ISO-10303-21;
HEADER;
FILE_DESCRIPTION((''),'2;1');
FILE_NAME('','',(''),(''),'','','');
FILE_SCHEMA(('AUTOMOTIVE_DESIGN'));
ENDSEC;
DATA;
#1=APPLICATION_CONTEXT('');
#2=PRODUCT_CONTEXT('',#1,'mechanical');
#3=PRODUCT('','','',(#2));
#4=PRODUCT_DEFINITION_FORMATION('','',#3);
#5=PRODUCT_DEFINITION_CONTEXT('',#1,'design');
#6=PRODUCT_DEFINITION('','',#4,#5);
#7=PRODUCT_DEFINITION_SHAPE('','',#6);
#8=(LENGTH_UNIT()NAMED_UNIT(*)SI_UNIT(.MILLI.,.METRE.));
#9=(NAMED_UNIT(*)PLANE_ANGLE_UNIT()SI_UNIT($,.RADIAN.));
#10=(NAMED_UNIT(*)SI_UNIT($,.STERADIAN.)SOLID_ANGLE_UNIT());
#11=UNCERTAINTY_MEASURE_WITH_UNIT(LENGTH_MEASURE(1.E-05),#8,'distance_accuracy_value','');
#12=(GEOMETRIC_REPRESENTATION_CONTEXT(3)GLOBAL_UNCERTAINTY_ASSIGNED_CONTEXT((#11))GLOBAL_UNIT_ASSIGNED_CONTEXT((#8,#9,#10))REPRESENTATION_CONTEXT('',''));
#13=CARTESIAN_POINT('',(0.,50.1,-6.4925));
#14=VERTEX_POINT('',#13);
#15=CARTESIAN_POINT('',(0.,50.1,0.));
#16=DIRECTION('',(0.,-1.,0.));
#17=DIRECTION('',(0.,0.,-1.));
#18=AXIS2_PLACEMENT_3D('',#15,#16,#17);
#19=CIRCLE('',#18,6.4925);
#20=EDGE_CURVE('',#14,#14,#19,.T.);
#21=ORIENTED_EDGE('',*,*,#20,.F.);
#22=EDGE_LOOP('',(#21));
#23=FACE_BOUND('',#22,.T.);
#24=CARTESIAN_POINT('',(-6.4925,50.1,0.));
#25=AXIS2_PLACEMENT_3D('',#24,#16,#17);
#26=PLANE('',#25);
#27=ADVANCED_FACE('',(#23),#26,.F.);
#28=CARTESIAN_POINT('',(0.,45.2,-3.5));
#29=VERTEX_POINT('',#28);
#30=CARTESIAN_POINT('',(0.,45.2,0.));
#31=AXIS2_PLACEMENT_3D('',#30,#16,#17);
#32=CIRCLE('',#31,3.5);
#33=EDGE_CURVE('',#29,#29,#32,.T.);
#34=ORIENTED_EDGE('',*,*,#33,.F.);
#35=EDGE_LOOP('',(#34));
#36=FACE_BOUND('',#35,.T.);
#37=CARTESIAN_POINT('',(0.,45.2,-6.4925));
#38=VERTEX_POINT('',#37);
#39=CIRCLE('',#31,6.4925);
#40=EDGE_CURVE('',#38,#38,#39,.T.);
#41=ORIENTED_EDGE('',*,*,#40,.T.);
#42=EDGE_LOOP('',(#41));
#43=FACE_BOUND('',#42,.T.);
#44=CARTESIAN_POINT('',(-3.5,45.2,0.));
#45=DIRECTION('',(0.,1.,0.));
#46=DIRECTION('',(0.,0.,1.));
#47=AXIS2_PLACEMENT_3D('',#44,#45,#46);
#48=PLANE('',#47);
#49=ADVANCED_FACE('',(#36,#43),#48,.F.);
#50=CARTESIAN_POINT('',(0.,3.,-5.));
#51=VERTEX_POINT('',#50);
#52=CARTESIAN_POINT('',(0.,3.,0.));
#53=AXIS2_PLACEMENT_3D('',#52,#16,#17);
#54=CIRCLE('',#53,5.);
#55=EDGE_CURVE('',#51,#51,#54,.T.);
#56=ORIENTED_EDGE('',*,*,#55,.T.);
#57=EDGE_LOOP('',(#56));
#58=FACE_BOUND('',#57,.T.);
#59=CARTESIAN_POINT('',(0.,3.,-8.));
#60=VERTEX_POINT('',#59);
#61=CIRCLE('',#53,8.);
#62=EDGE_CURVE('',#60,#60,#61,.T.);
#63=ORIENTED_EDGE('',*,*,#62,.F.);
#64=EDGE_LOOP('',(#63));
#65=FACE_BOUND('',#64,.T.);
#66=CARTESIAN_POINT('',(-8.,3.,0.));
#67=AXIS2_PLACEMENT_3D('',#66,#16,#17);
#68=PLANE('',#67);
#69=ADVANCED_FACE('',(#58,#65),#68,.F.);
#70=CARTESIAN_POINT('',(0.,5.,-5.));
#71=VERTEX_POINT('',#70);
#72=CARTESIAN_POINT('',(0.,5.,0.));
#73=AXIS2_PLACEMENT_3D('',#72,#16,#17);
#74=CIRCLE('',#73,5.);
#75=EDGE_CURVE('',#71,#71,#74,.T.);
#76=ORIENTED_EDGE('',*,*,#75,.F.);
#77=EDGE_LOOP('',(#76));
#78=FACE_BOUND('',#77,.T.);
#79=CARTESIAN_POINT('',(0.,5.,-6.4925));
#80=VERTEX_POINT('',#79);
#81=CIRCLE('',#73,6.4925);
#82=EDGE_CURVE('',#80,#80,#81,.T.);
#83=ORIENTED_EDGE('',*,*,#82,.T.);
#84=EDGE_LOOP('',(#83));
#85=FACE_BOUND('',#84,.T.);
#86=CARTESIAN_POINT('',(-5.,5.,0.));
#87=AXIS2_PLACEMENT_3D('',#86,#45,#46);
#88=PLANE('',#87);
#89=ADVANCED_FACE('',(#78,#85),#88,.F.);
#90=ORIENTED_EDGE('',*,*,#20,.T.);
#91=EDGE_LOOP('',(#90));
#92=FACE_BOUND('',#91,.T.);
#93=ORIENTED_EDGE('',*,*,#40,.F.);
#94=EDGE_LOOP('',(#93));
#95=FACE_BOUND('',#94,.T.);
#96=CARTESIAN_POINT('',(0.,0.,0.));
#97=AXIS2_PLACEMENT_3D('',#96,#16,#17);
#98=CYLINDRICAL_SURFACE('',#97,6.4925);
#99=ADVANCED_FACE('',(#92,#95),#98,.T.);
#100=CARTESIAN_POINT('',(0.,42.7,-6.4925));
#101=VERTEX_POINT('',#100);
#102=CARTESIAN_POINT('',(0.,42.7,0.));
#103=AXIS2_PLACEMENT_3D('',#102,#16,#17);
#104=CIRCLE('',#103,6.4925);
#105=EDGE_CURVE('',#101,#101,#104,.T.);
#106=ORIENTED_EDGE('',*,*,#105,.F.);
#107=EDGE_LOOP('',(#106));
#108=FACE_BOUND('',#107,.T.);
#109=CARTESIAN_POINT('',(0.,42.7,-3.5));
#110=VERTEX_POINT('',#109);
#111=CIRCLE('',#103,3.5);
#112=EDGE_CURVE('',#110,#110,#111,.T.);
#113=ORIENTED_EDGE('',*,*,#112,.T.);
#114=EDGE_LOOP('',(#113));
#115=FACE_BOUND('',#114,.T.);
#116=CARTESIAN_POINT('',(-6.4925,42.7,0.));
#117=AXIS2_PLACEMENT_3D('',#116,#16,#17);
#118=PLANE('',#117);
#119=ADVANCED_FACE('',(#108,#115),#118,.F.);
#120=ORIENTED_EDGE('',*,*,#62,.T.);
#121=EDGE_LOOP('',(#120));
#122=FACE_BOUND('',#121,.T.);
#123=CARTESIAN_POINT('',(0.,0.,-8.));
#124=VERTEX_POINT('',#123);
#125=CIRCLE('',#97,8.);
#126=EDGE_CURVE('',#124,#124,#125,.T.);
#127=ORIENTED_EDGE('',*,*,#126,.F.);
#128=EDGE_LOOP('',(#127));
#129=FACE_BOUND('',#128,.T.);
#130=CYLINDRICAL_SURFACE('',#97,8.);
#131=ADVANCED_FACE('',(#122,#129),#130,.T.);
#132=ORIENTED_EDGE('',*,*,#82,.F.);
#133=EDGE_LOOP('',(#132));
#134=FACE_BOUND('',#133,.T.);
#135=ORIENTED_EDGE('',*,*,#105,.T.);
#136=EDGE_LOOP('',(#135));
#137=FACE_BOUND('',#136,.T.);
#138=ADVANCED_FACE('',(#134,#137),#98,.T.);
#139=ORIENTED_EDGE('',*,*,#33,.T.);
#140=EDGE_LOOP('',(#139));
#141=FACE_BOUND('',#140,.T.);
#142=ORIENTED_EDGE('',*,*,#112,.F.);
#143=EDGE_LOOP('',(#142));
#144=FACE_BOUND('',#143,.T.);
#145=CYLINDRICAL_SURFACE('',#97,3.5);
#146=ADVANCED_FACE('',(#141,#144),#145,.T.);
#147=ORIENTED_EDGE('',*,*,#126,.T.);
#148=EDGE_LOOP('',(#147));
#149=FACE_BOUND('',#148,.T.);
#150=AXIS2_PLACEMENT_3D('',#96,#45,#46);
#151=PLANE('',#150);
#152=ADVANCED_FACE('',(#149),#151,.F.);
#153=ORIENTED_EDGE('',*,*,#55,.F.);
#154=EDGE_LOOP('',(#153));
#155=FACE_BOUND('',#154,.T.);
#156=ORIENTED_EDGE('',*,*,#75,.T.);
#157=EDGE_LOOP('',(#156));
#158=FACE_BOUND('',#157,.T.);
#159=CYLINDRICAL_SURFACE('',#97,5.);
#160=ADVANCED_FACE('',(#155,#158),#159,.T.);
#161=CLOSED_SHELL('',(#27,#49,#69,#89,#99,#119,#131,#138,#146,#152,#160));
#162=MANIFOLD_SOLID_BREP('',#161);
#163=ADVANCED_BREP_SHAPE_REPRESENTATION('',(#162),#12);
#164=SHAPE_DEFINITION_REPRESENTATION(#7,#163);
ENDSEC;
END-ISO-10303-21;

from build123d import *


with BuildPart() as part:
    # Sketch1 → Revolve1 (revolve)
    with BuildSketch(Plane.XY, mode=Mode.PRIVATE) as revolve1_sk:
        Polygon((0, 0), (-8, 0), (-8, 3), (-5, 3), (-5, 5), (-6.4925, 5), (-6.4925, 42.7), (-3.5, 42.7), (-3.5, 45.2), (-6.4925, 45.2), (-6.4925, 50.1), (0, 50.1), align=None)
    revolve(revolve1_sk.sketch.rotate(Axis((0, 0, 0), (0, 1, 0)), 270), axis=Axis((0, 0, 0), (0, 1, 0)))  # turned: the seam where the file's is


solid = part.part
